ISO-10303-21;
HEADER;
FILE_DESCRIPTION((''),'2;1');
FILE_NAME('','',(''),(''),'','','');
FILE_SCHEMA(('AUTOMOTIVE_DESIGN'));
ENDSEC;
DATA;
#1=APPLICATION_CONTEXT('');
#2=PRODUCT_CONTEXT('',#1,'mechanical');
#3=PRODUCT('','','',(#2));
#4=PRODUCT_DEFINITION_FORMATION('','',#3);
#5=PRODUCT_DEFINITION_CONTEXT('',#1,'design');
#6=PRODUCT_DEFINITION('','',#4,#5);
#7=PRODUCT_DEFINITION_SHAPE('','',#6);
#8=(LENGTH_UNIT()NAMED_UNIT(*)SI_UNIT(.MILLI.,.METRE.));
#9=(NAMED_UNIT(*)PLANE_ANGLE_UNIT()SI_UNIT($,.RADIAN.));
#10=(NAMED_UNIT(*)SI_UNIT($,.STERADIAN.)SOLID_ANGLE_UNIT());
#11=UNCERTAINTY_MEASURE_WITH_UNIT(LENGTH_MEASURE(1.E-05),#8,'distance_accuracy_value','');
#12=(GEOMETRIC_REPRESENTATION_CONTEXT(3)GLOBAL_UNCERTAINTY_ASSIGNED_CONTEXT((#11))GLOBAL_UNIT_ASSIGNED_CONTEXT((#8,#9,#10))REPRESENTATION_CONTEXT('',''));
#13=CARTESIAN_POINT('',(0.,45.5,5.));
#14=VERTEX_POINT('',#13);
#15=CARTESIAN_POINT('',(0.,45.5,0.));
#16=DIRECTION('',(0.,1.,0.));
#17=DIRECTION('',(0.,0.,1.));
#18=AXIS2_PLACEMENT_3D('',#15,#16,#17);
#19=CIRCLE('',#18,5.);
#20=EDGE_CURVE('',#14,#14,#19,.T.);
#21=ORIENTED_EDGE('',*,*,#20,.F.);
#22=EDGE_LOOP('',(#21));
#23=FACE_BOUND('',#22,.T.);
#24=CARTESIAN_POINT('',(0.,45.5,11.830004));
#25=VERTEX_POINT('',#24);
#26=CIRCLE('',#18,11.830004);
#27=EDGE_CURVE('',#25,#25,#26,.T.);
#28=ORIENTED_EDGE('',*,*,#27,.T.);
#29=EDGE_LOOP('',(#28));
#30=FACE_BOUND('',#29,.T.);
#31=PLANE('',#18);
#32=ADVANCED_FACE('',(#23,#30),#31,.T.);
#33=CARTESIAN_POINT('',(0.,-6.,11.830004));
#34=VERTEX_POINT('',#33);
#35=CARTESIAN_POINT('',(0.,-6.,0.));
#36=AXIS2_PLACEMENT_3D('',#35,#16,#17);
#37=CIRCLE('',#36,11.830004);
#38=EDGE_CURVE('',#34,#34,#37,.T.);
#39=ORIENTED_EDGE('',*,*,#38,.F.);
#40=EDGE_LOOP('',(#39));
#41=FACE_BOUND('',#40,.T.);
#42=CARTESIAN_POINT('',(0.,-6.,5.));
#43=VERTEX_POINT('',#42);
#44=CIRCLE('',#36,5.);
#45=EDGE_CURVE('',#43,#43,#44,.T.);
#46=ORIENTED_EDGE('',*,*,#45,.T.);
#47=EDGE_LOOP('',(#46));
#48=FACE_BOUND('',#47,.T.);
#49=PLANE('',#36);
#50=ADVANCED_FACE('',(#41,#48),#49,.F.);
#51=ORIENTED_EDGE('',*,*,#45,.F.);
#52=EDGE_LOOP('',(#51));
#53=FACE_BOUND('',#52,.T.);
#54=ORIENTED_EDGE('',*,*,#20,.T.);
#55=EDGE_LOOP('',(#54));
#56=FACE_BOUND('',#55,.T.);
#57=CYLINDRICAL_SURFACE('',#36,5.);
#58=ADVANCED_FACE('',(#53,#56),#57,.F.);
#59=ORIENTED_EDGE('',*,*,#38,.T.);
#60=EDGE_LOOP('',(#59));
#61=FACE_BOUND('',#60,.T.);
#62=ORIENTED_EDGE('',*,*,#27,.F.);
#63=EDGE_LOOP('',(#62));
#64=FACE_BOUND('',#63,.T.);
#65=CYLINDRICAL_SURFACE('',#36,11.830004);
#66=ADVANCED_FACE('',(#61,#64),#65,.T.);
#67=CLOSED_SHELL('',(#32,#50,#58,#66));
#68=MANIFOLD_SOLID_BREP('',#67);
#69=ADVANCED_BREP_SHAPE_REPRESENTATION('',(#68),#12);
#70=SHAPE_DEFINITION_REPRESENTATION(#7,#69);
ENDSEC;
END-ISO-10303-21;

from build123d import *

# Parameters (mm, degrees)
SKETCH1_R                = 11.830004421
SKETCH1_R_2              = 5
BOSS_EXTRUDE1_DEPTH      = 45.5
BOSS_EXTRUDE1_DEPTH_BACK = 6


with BuildPart() as part:
    # Sketch1 → Boss-Extrude1 (new body, two sides)
    with BuildSketch(Plane(origin=(0, 0, 0), x_dir=(1, 0, 0), z_dir=(0, 1, 0))) as boss_extrude1_sk:
        Circle(SKETCH1_R)
        Circle(SKETCH1_R_2, mode=Mode.SUBTRACT)
    extrude(amount=BOSS_EXTRUDE1_DEPTH)
    extrude(boss_extrude1_sk.sketch, amount=-BOSS_EXTRUDE1_DEPTH_BACK)


solid = part.part
